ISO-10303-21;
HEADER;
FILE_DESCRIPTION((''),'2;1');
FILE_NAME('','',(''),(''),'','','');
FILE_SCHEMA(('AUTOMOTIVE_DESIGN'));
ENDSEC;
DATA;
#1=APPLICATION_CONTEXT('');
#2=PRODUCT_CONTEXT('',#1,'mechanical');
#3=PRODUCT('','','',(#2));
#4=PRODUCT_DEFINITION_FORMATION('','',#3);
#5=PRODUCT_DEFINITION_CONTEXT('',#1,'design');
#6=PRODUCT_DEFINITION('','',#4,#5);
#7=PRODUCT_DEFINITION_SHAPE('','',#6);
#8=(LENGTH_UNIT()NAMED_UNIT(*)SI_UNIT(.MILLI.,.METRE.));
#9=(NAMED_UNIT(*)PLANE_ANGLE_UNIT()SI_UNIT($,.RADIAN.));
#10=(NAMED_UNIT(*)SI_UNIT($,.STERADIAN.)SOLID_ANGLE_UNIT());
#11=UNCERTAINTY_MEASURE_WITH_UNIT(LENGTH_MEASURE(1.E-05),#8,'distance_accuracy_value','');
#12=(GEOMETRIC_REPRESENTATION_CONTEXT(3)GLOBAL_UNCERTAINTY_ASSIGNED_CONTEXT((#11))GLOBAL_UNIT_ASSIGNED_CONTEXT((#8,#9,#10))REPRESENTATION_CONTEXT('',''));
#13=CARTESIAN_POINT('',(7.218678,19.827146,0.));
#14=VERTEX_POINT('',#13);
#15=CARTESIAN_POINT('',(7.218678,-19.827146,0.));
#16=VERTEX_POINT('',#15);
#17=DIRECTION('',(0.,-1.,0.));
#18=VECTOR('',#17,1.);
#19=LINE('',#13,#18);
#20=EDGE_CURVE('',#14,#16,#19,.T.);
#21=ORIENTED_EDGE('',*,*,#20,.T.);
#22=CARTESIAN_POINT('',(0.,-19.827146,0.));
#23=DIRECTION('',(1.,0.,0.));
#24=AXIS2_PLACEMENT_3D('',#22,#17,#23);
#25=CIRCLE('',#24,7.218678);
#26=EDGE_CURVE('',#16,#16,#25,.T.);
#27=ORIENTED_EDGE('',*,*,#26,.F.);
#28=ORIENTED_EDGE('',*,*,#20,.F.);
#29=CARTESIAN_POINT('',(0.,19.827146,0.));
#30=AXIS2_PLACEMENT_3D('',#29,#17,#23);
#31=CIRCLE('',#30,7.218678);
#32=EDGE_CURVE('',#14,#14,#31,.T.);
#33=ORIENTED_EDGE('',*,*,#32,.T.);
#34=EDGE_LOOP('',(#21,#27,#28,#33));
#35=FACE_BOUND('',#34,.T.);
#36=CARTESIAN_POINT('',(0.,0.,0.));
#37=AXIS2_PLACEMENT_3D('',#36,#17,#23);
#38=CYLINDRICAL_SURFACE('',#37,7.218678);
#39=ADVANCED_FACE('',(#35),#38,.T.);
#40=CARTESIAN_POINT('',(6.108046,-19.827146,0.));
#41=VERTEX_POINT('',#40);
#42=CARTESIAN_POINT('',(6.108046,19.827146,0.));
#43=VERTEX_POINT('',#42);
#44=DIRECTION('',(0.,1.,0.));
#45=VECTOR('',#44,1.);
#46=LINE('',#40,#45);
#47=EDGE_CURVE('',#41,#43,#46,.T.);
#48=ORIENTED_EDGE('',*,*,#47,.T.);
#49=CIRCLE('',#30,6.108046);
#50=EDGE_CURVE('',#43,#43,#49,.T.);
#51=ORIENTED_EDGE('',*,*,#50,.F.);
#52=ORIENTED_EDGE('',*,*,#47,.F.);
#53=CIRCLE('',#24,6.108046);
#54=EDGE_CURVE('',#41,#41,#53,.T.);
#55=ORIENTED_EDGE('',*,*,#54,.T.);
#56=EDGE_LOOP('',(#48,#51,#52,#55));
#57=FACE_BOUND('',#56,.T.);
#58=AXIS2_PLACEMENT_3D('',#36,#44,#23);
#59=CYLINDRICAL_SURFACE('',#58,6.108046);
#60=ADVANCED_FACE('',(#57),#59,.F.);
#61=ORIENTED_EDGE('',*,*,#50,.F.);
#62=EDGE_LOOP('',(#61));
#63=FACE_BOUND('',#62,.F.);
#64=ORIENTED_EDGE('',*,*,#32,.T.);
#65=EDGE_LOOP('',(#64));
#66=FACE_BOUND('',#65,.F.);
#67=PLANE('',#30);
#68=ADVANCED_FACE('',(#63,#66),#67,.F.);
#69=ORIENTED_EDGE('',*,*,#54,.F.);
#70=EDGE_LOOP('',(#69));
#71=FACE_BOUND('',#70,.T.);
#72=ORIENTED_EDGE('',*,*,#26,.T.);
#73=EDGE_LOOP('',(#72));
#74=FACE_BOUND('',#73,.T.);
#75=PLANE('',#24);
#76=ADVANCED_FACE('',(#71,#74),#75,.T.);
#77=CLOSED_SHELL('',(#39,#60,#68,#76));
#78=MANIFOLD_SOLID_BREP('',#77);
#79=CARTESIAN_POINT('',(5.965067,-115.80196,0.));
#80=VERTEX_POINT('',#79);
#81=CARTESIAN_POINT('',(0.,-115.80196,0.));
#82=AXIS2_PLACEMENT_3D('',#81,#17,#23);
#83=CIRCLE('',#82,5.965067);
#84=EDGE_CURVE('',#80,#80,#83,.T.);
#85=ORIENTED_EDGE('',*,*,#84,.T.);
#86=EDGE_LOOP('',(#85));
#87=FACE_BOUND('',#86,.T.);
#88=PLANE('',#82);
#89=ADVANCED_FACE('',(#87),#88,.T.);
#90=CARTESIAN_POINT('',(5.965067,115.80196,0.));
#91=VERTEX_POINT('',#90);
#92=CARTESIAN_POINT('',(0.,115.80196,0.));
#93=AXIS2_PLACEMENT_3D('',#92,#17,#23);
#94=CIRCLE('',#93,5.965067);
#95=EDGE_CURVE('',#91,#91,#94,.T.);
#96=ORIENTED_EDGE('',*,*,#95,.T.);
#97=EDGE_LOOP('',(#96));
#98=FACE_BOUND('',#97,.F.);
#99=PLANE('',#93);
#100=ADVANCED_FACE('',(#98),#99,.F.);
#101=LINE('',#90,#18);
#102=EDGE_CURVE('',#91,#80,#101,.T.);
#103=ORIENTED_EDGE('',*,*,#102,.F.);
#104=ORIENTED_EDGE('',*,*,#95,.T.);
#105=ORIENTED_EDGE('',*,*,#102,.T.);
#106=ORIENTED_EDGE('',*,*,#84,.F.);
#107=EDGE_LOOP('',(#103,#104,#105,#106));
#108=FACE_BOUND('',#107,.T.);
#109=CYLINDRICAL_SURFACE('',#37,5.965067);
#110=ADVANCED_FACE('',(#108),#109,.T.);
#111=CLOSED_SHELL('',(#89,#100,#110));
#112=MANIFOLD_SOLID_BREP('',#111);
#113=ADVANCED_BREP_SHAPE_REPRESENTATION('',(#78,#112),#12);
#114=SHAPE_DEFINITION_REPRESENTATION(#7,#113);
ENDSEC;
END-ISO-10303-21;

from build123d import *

# Parameters (mm, degrees)
F0_R     = 5.965067
F1_DEPTH = 115.80196
F2_R     = 7.218678
F2_R_2   = 6.108046
F3_DEPTH = 19.827146


with BuildPart() as f1:
    # F0 (on Front) → F1 (new body, symmetric)
    with BuildSketch(Plane.XZ):
        Circle(F0_R)
    extrude(amount=F1_DEPTH, both=True)


with BuildPart() as f3:
    # F2 (on Front) → F3 (new body, symmetric)
    with BuildSketch(Plane.XZ):
        Circle(F2_R)
        Circle(F2_R_2, mode=Mode.SUBTRACT)
    extrude(amount=F3_DEPTH, both=True)


solid = Compound([f1.part, f3.part])
